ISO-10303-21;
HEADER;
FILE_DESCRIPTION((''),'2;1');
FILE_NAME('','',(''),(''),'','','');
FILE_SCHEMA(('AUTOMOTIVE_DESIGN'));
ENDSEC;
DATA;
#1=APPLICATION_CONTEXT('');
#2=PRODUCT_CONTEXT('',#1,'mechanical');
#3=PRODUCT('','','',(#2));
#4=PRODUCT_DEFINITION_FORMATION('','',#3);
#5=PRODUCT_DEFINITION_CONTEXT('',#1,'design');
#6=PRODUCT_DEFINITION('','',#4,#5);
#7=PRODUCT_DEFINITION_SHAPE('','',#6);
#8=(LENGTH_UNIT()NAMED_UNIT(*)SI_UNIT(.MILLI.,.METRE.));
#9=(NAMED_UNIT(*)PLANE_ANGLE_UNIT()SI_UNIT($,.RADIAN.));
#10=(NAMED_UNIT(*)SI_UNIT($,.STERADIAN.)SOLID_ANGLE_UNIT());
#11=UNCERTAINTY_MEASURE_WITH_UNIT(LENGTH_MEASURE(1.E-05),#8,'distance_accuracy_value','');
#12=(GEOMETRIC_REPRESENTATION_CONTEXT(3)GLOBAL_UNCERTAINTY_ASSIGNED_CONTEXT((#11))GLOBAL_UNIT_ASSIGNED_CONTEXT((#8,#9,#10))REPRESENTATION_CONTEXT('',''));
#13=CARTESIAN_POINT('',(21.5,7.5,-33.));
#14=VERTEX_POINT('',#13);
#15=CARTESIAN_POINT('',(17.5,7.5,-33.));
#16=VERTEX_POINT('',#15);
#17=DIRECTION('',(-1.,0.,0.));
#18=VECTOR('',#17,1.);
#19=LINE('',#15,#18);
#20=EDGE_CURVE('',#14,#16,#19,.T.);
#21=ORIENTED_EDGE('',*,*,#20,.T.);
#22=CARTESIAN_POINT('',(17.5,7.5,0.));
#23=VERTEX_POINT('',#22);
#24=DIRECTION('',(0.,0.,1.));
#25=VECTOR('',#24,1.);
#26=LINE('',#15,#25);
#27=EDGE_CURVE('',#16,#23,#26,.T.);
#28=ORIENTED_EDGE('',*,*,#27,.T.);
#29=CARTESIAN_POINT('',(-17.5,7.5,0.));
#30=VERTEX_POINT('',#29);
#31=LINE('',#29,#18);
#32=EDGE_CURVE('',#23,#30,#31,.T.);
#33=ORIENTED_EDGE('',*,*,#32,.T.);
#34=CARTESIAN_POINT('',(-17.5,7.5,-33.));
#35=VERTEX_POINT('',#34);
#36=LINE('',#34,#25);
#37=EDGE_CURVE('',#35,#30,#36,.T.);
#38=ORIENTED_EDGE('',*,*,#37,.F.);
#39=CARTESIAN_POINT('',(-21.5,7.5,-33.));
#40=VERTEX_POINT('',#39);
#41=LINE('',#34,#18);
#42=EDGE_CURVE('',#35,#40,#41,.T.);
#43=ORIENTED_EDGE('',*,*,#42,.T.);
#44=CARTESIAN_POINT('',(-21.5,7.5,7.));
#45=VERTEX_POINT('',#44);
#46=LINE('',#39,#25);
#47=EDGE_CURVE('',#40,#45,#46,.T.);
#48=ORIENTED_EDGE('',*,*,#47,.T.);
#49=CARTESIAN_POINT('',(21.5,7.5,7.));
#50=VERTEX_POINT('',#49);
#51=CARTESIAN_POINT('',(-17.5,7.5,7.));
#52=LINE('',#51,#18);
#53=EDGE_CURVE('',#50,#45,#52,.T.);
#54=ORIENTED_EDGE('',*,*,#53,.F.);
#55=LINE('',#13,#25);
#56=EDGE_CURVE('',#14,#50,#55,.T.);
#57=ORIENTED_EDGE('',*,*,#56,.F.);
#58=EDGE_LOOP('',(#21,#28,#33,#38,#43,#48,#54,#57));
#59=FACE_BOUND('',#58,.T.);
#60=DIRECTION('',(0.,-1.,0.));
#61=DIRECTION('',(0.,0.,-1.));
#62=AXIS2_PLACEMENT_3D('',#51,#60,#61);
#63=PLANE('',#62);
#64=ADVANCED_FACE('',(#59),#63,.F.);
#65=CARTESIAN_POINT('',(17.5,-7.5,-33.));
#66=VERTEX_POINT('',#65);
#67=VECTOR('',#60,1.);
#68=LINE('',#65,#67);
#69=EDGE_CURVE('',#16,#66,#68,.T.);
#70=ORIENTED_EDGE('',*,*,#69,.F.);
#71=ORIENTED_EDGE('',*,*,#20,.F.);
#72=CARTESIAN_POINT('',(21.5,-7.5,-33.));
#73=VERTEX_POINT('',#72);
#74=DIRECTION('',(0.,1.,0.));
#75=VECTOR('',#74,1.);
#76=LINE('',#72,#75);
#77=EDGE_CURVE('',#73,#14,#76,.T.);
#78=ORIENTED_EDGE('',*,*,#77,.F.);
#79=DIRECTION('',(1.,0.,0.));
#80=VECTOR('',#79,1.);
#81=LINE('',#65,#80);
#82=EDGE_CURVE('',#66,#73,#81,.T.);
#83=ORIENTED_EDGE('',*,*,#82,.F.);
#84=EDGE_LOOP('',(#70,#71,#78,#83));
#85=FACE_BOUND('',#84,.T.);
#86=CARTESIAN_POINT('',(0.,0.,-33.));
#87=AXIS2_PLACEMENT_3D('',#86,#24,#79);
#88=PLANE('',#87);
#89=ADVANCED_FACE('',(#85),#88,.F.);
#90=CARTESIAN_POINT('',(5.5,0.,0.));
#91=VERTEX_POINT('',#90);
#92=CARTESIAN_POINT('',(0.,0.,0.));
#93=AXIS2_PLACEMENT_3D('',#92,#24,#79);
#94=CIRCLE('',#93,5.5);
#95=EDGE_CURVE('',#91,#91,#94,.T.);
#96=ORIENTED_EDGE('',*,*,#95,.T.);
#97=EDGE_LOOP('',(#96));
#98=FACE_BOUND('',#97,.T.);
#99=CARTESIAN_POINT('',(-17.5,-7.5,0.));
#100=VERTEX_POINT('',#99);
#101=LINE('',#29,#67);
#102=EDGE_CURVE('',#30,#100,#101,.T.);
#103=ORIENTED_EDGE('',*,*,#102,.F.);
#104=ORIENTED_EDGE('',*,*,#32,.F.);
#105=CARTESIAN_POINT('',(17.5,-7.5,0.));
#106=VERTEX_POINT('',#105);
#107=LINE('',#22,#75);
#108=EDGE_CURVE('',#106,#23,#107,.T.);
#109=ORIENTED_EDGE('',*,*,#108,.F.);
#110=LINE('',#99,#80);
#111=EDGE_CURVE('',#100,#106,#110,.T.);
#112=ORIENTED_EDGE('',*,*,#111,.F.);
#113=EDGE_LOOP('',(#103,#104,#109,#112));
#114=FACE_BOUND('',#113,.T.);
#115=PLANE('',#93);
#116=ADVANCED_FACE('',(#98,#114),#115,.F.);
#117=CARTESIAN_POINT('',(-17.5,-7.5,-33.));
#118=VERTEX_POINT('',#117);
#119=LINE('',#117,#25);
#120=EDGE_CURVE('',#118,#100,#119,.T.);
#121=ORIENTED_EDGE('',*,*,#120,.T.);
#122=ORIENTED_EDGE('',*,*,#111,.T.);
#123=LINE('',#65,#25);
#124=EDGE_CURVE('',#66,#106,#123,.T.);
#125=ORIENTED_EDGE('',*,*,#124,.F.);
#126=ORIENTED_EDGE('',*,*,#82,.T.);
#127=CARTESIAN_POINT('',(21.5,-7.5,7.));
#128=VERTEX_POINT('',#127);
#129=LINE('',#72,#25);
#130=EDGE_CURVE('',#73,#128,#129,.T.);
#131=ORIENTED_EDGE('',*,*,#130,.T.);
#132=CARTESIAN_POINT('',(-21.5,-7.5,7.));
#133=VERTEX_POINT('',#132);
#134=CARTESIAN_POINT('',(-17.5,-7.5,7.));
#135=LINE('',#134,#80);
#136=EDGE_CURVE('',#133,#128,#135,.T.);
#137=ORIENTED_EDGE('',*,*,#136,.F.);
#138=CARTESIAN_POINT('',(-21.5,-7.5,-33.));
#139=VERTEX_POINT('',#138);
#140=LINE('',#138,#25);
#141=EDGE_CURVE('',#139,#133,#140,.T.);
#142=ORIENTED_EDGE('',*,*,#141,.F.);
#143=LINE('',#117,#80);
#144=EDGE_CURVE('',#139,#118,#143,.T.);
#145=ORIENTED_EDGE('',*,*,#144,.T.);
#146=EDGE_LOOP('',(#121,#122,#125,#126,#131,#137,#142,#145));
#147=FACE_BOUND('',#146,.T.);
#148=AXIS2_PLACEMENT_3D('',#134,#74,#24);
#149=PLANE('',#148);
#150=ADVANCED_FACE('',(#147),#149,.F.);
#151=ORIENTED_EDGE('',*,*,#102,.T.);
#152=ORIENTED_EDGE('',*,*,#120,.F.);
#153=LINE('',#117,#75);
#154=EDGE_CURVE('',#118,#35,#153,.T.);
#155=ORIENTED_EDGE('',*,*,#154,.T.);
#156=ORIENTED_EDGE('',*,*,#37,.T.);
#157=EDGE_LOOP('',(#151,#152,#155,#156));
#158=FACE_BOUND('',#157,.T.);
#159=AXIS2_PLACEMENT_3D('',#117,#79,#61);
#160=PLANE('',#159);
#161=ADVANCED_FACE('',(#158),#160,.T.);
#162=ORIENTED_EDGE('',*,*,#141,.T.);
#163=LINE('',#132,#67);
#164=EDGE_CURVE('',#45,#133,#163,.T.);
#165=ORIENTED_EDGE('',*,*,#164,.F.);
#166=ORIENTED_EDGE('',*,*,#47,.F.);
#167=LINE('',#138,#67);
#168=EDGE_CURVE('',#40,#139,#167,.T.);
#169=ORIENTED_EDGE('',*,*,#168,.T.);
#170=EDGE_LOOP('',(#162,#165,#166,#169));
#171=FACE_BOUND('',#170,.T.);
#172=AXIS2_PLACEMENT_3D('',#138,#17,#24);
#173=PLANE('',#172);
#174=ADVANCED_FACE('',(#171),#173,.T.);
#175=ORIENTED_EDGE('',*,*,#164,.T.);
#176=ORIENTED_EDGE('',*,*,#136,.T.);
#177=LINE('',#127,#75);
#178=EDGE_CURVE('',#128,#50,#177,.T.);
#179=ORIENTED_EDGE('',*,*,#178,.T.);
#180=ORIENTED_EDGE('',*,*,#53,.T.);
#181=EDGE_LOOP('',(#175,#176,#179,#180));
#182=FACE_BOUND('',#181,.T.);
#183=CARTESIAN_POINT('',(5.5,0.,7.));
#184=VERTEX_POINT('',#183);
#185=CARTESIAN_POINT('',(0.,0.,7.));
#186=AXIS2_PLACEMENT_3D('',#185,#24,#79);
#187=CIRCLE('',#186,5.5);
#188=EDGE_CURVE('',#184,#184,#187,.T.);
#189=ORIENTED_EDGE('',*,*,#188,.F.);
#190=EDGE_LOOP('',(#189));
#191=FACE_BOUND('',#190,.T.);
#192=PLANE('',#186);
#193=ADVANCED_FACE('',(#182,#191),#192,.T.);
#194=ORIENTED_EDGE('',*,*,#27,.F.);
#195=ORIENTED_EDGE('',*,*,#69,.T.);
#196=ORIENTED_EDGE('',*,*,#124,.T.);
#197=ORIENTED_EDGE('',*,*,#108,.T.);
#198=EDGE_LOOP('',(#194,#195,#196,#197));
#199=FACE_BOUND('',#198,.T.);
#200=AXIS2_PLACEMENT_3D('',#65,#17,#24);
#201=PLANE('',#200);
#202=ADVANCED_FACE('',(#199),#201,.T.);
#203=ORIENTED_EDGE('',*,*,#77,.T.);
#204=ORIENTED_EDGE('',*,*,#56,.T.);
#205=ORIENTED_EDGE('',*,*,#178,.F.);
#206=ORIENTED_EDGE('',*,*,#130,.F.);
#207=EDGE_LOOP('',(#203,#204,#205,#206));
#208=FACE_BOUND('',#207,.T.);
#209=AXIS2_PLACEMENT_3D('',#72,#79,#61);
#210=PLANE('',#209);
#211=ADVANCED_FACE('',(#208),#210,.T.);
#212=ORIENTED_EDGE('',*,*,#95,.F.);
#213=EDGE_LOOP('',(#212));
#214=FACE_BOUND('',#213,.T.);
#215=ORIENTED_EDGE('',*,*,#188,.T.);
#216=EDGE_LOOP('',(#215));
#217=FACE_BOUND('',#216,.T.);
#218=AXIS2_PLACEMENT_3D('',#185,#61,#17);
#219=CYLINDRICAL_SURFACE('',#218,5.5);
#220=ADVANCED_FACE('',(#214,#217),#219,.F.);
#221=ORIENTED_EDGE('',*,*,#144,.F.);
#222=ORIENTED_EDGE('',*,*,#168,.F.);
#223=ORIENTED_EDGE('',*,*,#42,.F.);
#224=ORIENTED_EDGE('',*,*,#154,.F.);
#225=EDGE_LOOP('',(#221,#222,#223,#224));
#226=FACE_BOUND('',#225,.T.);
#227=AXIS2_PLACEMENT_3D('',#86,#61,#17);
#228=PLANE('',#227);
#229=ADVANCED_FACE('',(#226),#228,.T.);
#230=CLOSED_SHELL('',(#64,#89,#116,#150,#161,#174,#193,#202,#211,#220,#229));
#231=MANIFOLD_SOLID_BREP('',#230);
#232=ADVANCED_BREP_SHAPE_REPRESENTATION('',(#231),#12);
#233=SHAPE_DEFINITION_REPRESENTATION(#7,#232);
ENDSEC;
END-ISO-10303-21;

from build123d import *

# Parameters (mm, degrees)
SKETCH1_W           = 35
SKETCH1_H           = 15
SKETCH1_R           = 5.5
BOSS_EXTRUDE1_DEPTH = 7
SKETCH2_W           = 4
SKETCH2_H           = 15
BOSS_EXTRUDE2_DEPTH = 40


with BuildPart() as part:
    # Sketch1 → Boss-Extrude1 (new body)
    with BuildSketch(Plane.XY):
        Rectangle(SKETCH1_W, SKETCH1_H)
        Circle(SKETCH1_R, mode=Mode.SUBTRACT)
    extrude(amount=BOSS_EXTRUDE1_DEPTH)

    # Sketch2 → Boss-Extrude2 (add)
    with BuildSketch(Plane.XY.offset(7)):
        with Locations((19.5, 0)):
            Rectangle(SKETCH2_W, SKETCH2_H)
        with Locations((-19.5, 0)):
            Rectangle(SKETCH2_W, SKETCH2_H)
    extrude(amount=-BOSS_EXTRUDE2_DEPTH)


solid = part.part
